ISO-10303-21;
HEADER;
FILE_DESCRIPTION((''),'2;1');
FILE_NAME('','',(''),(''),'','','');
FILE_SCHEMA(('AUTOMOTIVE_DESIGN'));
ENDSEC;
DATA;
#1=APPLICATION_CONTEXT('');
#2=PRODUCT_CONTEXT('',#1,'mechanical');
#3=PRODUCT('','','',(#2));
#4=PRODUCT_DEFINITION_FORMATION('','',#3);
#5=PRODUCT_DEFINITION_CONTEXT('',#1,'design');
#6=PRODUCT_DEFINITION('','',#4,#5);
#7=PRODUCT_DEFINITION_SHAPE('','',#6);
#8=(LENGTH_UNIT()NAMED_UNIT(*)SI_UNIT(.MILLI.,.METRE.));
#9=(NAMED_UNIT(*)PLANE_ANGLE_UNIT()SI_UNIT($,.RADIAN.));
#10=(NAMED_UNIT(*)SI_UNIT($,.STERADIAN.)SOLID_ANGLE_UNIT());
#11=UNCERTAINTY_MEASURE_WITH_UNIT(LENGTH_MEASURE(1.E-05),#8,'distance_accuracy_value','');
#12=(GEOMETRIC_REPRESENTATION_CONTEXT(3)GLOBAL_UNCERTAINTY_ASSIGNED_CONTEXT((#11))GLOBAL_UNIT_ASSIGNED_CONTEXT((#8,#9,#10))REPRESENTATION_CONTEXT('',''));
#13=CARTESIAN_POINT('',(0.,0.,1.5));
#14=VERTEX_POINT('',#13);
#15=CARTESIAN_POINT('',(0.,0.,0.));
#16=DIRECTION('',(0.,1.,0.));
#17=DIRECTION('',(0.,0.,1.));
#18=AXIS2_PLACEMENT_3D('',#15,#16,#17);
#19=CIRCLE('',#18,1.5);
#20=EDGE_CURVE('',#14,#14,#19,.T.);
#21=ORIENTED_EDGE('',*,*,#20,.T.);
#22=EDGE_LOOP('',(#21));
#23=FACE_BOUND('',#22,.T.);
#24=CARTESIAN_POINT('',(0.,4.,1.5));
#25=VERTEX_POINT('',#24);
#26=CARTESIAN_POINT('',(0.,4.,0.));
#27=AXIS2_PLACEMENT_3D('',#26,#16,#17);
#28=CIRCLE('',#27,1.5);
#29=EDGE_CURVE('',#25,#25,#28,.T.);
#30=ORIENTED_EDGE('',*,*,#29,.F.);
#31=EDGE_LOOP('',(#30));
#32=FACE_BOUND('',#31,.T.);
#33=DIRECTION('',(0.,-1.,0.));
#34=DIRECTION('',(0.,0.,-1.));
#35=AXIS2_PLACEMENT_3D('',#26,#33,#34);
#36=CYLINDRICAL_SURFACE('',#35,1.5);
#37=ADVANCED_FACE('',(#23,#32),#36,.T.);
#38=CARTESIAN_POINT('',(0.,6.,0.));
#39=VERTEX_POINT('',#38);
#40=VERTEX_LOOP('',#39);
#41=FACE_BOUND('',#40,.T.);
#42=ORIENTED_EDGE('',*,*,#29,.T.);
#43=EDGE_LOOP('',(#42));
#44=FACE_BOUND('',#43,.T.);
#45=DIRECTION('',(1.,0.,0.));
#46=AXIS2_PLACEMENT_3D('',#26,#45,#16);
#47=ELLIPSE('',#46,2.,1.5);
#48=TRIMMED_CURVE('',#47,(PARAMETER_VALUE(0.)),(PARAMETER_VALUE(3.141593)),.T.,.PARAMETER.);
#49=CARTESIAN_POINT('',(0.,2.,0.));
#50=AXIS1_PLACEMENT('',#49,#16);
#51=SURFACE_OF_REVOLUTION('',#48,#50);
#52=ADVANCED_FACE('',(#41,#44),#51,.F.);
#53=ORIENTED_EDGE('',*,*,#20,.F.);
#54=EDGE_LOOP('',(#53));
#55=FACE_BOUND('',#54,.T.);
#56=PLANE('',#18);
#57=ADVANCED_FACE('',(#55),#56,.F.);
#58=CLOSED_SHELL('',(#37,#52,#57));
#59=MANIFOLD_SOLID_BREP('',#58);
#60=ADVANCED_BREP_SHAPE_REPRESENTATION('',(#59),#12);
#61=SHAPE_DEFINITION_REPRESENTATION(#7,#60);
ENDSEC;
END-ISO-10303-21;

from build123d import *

# Parameters (mm, degrees)
SCHIZZO2_R                   = 1.5
ESTRUSIONE_ESTRUSIONE1_DEPTH = 4
CUPOLA1_FACE_RADIUS          = 1.5
CUPOLA1_HEIGHT               = 2


with BuildPart() as part:
    # Schizzo2 → Estrusione-Estrusione1 (new body)
    with BuildSketch(Plane(origin=(0, 0, 0), x_dir=(1, 0, 0), z_dir=(0, 1, 0))):
        Circle(SCHIZZO2_R)
    extrude(amount=ESTRUSIONE_ESTRUSIONE1_DEPTH)

    # Cupola1: an elliptical dome of height H over a round flat face of radius A is half a spheroid: the quarter ellipse of half axes A and H revolved about the face's axis
    with BuildSketch(Plane((0, 4, 0), x_dir=(0, 0, -1), z_dir=(1, 0, 0)), mode=Mode.PRIVATE) as cupola1_quarter:
        Ellipse(CUPOLA1_FACE_RADIUS, CUPOLA1_HEIGHT)
        Rectangle(CUPOLA1_FACE_RADIUS, CUPOLA1_HEIGHT, align=(Align.MIN, Align.MIN), mode=Mode.INTERSECT)
    revolve(cupola1_quarter.sketch, axis=Axis((0, 4, 0), (0, 1, 0)))


solid = part.part
